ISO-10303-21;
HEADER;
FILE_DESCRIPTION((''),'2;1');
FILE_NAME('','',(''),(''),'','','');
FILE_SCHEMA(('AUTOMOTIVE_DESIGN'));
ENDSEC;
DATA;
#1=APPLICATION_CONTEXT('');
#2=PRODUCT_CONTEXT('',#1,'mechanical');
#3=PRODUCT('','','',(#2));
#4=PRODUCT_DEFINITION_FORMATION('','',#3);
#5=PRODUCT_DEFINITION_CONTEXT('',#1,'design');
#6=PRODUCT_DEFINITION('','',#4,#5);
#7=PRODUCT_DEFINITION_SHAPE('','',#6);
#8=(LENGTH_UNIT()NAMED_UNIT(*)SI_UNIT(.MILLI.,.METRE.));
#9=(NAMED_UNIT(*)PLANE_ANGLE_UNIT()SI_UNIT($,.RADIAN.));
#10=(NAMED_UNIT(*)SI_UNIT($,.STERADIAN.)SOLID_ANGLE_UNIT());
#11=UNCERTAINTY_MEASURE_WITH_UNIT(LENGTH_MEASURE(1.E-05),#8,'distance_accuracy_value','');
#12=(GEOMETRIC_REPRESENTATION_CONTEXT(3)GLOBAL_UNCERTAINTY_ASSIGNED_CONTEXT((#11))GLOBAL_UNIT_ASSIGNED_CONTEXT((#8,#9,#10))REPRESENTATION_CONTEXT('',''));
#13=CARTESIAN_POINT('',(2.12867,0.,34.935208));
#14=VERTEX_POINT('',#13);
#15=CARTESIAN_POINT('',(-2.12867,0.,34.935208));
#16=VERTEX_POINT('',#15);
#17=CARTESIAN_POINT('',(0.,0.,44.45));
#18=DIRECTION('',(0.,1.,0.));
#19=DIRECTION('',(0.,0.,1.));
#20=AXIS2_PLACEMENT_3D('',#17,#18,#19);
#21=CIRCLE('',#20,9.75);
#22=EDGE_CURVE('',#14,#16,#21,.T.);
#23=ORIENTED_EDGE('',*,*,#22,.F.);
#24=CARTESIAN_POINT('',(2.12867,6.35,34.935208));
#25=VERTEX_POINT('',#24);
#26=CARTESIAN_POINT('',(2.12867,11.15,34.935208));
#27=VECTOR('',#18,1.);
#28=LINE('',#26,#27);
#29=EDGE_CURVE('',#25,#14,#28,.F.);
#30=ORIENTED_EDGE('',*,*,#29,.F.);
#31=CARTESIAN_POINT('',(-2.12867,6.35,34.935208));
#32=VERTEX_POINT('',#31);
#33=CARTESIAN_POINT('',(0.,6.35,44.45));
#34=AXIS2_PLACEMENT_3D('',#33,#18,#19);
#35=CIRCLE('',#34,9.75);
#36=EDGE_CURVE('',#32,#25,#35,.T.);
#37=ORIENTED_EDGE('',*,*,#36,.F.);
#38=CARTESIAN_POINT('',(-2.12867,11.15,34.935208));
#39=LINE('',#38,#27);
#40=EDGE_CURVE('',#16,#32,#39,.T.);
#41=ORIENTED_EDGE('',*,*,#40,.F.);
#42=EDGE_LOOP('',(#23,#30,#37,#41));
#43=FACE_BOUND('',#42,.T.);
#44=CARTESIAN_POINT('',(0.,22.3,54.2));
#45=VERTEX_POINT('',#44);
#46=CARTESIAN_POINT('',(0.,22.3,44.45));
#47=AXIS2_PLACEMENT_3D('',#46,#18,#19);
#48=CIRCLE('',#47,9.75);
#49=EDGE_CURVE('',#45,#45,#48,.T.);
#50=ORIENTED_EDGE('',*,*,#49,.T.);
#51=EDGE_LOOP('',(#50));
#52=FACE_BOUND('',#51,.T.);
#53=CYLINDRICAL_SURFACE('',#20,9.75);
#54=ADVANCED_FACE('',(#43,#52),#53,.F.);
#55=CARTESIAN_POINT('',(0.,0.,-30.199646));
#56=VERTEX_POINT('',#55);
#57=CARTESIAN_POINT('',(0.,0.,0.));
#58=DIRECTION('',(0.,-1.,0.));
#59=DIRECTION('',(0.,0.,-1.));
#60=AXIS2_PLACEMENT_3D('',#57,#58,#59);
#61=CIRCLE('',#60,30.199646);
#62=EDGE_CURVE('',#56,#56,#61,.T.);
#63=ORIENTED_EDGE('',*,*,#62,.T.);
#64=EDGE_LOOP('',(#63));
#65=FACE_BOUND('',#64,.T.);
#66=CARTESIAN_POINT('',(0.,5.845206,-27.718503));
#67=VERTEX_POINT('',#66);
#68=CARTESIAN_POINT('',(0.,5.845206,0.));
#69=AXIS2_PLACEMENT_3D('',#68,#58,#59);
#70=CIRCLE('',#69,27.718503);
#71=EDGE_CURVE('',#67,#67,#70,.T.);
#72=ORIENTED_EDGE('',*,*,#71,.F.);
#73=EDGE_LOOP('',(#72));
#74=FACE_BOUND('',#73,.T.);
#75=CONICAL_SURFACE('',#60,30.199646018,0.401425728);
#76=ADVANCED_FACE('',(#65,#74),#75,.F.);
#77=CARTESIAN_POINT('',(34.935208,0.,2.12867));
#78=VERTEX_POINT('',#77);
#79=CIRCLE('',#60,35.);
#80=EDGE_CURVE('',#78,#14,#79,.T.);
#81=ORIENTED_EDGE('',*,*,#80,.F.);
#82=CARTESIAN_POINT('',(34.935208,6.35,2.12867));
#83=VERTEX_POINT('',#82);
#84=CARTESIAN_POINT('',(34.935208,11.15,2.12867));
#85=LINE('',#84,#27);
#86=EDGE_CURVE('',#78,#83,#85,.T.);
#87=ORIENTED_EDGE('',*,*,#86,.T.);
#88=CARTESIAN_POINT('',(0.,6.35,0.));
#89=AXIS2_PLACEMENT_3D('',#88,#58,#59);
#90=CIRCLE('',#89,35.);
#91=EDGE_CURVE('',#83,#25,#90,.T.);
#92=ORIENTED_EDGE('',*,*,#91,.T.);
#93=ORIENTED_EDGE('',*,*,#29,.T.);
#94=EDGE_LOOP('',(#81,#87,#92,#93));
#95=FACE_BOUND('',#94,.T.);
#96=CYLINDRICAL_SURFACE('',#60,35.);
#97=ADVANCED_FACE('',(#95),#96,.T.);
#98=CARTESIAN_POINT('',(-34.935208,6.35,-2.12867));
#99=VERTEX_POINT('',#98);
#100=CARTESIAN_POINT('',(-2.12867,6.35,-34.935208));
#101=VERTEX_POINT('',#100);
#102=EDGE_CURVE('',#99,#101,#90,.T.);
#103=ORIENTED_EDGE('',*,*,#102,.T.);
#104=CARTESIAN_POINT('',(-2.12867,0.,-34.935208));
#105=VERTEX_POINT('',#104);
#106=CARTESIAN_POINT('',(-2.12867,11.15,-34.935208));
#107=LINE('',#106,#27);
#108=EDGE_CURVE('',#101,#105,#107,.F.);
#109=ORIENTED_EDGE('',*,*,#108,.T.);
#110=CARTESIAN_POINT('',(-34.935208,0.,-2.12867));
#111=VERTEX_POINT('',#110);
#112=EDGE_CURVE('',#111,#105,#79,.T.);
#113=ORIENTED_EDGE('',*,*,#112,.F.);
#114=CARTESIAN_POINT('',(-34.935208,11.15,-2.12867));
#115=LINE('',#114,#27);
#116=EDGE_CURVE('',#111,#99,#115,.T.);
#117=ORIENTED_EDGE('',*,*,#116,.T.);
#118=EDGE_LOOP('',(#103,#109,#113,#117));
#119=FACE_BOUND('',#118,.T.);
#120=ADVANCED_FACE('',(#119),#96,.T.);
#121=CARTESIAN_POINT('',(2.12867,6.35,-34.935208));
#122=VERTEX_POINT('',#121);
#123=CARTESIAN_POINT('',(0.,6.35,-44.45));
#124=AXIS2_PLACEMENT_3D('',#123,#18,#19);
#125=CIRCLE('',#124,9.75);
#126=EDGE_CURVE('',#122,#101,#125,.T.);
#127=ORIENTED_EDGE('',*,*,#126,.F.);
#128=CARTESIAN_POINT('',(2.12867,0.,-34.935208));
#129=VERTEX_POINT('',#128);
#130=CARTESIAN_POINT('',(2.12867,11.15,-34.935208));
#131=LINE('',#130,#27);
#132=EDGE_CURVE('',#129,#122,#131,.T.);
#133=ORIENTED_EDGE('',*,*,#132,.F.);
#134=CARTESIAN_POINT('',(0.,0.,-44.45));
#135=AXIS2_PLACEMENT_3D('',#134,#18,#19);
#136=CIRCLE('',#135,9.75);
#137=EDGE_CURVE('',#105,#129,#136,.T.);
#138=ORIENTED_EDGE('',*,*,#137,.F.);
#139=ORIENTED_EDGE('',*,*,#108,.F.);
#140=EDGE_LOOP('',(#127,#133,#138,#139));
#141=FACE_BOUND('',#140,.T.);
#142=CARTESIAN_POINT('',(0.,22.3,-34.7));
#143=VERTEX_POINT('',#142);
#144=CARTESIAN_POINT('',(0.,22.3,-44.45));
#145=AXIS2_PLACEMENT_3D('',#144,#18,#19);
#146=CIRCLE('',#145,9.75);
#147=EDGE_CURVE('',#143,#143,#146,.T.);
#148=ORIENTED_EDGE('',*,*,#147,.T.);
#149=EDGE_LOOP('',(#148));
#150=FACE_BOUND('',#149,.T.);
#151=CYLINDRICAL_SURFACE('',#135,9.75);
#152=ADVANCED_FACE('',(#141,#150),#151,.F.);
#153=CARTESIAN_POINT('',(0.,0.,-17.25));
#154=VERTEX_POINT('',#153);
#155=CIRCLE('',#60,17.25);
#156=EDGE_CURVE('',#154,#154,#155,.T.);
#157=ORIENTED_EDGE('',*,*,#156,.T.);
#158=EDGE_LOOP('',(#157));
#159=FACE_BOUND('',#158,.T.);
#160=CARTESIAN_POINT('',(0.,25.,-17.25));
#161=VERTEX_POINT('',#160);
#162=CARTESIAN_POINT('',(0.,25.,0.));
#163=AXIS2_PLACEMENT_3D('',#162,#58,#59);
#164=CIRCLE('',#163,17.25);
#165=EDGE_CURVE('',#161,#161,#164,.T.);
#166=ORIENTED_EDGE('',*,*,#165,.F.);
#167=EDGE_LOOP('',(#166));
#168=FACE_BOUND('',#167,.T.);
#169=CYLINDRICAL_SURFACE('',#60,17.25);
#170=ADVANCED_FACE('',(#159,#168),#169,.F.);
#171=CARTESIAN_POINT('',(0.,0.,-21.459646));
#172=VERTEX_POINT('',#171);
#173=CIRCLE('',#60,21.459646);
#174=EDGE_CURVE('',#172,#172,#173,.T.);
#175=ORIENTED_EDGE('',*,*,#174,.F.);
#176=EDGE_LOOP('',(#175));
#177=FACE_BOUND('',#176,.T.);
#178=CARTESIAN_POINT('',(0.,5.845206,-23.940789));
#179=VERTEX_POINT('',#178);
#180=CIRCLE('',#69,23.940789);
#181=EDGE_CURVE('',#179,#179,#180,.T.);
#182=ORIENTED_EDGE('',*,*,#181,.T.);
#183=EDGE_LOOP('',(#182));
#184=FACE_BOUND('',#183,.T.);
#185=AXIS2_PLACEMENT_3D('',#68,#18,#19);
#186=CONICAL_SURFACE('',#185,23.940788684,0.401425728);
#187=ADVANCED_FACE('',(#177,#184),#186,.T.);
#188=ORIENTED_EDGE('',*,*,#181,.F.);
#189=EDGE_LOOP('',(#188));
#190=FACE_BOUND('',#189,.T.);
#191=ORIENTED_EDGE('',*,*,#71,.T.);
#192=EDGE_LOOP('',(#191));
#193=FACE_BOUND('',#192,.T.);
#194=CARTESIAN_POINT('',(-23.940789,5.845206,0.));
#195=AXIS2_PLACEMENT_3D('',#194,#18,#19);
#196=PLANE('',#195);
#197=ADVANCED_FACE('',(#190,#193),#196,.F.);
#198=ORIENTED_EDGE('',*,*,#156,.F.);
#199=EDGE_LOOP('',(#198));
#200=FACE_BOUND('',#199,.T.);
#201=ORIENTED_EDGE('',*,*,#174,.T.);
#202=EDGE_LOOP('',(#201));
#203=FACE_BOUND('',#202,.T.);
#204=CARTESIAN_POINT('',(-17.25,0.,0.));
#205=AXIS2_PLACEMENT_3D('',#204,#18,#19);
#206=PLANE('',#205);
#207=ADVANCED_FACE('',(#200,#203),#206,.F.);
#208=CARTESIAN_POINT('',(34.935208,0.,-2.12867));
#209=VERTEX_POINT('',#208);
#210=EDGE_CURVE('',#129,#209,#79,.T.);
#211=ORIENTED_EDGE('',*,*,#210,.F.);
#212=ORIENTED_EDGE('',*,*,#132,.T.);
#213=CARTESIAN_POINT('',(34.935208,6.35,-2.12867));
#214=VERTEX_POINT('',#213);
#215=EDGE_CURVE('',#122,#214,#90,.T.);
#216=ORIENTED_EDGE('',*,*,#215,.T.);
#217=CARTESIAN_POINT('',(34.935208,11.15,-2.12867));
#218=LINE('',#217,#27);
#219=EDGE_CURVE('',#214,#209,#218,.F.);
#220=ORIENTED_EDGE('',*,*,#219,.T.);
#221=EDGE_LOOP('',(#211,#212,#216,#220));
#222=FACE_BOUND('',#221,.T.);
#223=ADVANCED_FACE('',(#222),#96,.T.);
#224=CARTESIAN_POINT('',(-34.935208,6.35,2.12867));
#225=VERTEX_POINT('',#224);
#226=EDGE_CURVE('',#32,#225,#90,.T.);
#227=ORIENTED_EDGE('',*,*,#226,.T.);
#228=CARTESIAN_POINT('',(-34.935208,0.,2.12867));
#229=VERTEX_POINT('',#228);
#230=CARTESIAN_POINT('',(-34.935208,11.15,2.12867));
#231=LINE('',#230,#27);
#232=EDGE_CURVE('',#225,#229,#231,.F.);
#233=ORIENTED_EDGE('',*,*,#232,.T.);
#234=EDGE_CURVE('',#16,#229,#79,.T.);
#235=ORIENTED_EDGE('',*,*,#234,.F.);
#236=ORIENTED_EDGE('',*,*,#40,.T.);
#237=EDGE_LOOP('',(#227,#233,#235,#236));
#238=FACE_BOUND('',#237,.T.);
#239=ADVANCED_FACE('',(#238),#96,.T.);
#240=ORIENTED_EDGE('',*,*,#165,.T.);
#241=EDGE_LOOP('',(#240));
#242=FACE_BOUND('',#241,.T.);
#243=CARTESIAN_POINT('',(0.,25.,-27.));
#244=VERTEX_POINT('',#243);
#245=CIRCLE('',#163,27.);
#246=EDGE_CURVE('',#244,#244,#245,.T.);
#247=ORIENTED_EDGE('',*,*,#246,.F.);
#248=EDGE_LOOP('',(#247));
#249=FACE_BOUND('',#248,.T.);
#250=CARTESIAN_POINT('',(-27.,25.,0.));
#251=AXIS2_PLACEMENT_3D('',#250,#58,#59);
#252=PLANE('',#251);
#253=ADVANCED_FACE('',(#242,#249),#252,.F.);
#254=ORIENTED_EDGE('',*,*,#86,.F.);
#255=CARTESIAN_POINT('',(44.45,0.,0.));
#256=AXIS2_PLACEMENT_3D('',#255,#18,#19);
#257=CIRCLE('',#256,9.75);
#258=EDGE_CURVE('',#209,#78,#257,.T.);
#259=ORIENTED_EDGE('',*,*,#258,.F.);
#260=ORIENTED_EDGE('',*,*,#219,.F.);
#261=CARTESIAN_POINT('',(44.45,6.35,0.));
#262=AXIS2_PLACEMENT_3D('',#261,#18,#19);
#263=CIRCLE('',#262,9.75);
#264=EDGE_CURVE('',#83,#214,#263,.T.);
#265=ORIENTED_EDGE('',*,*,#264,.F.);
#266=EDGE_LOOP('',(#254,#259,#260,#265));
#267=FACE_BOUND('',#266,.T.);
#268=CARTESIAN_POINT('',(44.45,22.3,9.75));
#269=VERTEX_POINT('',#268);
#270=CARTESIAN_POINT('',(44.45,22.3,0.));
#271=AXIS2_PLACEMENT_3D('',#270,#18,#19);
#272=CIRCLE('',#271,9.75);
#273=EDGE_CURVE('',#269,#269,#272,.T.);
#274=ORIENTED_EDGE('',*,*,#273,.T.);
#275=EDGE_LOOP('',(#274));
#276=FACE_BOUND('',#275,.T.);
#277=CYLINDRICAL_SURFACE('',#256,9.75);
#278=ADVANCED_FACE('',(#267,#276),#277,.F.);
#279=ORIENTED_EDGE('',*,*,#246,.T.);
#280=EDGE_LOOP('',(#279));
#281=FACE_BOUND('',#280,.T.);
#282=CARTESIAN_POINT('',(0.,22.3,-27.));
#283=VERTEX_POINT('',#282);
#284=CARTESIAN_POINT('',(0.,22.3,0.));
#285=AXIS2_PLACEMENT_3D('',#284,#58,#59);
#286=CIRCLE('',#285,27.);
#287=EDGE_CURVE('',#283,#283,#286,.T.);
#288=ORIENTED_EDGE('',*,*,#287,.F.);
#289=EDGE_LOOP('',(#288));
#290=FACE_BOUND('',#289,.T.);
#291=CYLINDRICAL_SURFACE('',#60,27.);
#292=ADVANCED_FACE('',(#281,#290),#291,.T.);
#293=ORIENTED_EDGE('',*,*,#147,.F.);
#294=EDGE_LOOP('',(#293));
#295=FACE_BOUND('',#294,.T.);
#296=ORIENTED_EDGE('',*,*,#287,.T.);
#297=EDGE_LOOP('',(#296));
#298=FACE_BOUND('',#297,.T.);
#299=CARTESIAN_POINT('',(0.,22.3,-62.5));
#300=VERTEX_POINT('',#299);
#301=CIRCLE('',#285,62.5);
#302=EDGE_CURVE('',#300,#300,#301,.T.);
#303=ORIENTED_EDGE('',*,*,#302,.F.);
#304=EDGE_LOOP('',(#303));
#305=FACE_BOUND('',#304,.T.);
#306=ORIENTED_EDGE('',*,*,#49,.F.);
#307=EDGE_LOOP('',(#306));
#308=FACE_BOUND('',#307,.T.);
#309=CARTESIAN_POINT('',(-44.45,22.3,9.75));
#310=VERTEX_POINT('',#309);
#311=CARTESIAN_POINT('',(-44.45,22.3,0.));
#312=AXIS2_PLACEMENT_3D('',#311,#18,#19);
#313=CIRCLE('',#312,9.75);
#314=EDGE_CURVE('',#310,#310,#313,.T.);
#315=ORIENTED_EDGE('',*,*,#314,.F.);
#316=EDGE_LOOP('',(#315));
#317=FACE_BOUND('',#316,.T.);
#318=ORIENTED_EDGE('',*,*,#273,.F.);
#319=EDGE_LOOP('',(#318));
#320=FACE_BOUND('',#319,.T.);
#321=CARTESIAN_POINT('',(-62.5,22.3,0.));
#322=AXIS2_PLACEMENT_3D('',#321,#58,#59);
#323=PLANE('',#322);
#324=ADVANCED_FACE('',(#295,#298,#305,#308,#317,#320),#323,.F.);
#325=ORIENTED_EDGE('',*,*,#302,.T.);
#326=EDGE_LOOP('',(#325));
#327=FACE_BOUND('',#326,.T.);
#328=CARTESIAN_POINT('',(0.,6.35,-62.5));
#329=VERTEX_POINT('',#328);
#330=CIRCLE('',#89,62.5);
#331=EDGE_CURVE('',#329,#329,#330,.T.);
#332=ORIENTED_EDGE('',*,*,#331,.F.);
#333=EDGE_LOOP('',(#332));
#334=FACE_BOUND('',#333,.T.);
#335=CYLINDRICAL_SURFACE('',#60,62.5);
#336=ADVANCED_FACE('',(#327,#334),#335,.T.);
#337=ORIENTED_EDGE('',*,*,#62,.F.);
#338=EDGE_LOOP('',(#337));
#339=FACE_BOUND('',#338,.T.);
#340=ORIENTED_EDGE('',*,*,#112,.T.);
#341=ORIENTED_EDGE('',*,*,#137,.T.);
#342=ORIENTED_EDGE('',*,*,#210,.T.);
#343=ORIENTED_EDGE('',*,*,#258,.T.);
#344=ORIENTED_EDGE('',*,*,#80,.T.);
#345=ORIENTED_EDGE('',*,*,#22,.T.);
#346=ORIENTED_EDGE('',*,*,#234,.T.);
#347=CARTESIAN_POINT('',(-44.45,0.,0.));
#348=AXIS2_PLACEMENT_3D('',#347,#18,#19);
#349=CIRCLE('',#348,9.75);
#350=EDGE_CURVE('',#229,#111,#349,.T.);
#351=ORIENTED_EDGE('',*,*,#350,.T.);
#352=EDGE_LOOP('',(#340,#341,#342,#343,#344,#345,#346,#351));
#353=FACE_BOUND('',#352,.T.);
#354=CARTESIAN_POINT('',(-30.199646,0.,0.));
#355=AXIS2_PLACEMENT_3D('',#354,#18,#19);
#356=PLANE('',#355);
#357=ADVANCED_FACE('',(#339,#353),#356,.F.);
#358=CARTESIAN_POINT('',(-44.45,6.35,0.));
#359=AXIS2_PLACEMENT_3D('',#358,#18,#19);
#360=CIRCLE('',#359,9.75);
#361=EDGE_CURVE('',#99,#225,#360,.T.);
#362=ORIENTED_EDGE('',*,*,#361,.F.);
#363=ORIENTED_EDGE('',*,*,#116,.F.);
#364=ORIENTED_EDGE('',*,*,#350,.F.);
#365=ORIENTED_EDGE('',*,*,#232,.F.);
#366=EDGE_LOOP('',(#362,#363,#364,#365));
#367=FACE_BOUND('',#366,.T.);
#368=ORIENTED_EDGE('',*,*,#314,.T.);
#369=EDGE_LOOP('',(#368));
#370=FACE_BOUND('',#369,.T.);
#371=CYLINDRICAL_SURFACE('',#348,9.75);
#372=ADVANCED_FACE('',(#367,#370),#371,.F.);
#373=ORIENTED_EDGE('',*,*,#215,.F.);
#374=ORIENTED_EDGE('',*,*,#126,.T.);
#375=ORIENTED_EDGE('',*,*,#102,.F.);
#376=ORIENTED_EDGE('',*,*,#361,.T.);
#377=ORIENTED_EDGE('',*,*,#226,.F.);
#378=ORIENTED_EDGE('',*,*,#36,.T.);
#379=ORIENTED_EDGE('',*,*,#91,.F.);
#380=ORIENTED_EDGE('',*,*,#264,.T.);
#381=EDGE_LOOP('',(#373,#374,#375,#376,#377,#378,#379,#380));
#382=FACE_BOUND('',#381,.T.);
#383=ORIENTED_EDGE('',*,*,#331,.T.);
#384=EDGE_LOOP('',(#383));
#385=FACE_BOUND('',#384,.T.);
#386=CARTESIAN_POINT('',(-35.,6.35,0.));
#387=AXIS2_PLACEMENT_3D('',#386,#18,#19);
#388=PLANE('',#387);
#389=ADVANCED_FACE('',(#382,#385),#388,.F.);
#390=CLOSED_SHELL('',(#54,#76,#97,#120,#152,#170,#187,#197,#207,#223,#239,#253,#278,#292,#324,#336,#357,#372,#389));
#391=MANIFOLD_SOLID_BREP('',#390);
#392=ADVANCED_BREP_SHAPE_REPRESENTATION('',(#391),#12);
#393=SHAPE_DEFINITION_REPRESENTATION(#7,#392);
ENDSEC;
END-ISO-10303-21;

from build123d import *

# Parameters (mm, degrees)
SKETCH2_R          = 9.75
CUT_EXTRUDE1_DEPTH = 92.158049562


with BuildPart() as part:
    # Sketch1 → Revolve1 (revolve)
    with BuildSketch(Plane.XY, mode=Mode.PRIVATE) as revolve1_sk:
        Polygon((-17.25, 0), (-21.459646018, 0), (-23.940788684, 5.845205819), (-27.718503352, 5.845205819), (-30.199646018, 0), (-35, 0), (-35, 6.35), (-62.5, 6.35), (-62.5, 22.3), (-27, 22.3), (-27, 25), (-17.25, 25), align=None)
    revolve(revolve1_sk.sketch.rotate(Axis((0, 0, 0), (0, 1, 0)), 270), axis=Axis((0, 0, 0), (0, 1, 0)))

    # Sketch2 → Cut-Extrude1 (cut, through all)
    with BuildSketch(Plane(origin=(0, 22.3, 0), x_dir=(1, 0, 0), z_dir=(0, 1, 0))):
        with Locations(Location((-44.45, 0, 0), (0, 0, 270))):
            Circle(SKETCH2_R)
        with Locations(Location((0, 44.45, 0), (0, 0, 270))):
            Circle(SKETCH2_R)
        with Locations(Location((44.45, 0, 0), (0, 0, 270))):
            Circle(SKETCH2_R)
        with Locations(Location((0, -44.45, 0), (0, 0, 270))):
            Circle(SKETCH2_R)
    extrude(amount=-CUT_EXTRUDE1_DEPTH, mode=Mode.SUBTRACT)


solid = part.part
